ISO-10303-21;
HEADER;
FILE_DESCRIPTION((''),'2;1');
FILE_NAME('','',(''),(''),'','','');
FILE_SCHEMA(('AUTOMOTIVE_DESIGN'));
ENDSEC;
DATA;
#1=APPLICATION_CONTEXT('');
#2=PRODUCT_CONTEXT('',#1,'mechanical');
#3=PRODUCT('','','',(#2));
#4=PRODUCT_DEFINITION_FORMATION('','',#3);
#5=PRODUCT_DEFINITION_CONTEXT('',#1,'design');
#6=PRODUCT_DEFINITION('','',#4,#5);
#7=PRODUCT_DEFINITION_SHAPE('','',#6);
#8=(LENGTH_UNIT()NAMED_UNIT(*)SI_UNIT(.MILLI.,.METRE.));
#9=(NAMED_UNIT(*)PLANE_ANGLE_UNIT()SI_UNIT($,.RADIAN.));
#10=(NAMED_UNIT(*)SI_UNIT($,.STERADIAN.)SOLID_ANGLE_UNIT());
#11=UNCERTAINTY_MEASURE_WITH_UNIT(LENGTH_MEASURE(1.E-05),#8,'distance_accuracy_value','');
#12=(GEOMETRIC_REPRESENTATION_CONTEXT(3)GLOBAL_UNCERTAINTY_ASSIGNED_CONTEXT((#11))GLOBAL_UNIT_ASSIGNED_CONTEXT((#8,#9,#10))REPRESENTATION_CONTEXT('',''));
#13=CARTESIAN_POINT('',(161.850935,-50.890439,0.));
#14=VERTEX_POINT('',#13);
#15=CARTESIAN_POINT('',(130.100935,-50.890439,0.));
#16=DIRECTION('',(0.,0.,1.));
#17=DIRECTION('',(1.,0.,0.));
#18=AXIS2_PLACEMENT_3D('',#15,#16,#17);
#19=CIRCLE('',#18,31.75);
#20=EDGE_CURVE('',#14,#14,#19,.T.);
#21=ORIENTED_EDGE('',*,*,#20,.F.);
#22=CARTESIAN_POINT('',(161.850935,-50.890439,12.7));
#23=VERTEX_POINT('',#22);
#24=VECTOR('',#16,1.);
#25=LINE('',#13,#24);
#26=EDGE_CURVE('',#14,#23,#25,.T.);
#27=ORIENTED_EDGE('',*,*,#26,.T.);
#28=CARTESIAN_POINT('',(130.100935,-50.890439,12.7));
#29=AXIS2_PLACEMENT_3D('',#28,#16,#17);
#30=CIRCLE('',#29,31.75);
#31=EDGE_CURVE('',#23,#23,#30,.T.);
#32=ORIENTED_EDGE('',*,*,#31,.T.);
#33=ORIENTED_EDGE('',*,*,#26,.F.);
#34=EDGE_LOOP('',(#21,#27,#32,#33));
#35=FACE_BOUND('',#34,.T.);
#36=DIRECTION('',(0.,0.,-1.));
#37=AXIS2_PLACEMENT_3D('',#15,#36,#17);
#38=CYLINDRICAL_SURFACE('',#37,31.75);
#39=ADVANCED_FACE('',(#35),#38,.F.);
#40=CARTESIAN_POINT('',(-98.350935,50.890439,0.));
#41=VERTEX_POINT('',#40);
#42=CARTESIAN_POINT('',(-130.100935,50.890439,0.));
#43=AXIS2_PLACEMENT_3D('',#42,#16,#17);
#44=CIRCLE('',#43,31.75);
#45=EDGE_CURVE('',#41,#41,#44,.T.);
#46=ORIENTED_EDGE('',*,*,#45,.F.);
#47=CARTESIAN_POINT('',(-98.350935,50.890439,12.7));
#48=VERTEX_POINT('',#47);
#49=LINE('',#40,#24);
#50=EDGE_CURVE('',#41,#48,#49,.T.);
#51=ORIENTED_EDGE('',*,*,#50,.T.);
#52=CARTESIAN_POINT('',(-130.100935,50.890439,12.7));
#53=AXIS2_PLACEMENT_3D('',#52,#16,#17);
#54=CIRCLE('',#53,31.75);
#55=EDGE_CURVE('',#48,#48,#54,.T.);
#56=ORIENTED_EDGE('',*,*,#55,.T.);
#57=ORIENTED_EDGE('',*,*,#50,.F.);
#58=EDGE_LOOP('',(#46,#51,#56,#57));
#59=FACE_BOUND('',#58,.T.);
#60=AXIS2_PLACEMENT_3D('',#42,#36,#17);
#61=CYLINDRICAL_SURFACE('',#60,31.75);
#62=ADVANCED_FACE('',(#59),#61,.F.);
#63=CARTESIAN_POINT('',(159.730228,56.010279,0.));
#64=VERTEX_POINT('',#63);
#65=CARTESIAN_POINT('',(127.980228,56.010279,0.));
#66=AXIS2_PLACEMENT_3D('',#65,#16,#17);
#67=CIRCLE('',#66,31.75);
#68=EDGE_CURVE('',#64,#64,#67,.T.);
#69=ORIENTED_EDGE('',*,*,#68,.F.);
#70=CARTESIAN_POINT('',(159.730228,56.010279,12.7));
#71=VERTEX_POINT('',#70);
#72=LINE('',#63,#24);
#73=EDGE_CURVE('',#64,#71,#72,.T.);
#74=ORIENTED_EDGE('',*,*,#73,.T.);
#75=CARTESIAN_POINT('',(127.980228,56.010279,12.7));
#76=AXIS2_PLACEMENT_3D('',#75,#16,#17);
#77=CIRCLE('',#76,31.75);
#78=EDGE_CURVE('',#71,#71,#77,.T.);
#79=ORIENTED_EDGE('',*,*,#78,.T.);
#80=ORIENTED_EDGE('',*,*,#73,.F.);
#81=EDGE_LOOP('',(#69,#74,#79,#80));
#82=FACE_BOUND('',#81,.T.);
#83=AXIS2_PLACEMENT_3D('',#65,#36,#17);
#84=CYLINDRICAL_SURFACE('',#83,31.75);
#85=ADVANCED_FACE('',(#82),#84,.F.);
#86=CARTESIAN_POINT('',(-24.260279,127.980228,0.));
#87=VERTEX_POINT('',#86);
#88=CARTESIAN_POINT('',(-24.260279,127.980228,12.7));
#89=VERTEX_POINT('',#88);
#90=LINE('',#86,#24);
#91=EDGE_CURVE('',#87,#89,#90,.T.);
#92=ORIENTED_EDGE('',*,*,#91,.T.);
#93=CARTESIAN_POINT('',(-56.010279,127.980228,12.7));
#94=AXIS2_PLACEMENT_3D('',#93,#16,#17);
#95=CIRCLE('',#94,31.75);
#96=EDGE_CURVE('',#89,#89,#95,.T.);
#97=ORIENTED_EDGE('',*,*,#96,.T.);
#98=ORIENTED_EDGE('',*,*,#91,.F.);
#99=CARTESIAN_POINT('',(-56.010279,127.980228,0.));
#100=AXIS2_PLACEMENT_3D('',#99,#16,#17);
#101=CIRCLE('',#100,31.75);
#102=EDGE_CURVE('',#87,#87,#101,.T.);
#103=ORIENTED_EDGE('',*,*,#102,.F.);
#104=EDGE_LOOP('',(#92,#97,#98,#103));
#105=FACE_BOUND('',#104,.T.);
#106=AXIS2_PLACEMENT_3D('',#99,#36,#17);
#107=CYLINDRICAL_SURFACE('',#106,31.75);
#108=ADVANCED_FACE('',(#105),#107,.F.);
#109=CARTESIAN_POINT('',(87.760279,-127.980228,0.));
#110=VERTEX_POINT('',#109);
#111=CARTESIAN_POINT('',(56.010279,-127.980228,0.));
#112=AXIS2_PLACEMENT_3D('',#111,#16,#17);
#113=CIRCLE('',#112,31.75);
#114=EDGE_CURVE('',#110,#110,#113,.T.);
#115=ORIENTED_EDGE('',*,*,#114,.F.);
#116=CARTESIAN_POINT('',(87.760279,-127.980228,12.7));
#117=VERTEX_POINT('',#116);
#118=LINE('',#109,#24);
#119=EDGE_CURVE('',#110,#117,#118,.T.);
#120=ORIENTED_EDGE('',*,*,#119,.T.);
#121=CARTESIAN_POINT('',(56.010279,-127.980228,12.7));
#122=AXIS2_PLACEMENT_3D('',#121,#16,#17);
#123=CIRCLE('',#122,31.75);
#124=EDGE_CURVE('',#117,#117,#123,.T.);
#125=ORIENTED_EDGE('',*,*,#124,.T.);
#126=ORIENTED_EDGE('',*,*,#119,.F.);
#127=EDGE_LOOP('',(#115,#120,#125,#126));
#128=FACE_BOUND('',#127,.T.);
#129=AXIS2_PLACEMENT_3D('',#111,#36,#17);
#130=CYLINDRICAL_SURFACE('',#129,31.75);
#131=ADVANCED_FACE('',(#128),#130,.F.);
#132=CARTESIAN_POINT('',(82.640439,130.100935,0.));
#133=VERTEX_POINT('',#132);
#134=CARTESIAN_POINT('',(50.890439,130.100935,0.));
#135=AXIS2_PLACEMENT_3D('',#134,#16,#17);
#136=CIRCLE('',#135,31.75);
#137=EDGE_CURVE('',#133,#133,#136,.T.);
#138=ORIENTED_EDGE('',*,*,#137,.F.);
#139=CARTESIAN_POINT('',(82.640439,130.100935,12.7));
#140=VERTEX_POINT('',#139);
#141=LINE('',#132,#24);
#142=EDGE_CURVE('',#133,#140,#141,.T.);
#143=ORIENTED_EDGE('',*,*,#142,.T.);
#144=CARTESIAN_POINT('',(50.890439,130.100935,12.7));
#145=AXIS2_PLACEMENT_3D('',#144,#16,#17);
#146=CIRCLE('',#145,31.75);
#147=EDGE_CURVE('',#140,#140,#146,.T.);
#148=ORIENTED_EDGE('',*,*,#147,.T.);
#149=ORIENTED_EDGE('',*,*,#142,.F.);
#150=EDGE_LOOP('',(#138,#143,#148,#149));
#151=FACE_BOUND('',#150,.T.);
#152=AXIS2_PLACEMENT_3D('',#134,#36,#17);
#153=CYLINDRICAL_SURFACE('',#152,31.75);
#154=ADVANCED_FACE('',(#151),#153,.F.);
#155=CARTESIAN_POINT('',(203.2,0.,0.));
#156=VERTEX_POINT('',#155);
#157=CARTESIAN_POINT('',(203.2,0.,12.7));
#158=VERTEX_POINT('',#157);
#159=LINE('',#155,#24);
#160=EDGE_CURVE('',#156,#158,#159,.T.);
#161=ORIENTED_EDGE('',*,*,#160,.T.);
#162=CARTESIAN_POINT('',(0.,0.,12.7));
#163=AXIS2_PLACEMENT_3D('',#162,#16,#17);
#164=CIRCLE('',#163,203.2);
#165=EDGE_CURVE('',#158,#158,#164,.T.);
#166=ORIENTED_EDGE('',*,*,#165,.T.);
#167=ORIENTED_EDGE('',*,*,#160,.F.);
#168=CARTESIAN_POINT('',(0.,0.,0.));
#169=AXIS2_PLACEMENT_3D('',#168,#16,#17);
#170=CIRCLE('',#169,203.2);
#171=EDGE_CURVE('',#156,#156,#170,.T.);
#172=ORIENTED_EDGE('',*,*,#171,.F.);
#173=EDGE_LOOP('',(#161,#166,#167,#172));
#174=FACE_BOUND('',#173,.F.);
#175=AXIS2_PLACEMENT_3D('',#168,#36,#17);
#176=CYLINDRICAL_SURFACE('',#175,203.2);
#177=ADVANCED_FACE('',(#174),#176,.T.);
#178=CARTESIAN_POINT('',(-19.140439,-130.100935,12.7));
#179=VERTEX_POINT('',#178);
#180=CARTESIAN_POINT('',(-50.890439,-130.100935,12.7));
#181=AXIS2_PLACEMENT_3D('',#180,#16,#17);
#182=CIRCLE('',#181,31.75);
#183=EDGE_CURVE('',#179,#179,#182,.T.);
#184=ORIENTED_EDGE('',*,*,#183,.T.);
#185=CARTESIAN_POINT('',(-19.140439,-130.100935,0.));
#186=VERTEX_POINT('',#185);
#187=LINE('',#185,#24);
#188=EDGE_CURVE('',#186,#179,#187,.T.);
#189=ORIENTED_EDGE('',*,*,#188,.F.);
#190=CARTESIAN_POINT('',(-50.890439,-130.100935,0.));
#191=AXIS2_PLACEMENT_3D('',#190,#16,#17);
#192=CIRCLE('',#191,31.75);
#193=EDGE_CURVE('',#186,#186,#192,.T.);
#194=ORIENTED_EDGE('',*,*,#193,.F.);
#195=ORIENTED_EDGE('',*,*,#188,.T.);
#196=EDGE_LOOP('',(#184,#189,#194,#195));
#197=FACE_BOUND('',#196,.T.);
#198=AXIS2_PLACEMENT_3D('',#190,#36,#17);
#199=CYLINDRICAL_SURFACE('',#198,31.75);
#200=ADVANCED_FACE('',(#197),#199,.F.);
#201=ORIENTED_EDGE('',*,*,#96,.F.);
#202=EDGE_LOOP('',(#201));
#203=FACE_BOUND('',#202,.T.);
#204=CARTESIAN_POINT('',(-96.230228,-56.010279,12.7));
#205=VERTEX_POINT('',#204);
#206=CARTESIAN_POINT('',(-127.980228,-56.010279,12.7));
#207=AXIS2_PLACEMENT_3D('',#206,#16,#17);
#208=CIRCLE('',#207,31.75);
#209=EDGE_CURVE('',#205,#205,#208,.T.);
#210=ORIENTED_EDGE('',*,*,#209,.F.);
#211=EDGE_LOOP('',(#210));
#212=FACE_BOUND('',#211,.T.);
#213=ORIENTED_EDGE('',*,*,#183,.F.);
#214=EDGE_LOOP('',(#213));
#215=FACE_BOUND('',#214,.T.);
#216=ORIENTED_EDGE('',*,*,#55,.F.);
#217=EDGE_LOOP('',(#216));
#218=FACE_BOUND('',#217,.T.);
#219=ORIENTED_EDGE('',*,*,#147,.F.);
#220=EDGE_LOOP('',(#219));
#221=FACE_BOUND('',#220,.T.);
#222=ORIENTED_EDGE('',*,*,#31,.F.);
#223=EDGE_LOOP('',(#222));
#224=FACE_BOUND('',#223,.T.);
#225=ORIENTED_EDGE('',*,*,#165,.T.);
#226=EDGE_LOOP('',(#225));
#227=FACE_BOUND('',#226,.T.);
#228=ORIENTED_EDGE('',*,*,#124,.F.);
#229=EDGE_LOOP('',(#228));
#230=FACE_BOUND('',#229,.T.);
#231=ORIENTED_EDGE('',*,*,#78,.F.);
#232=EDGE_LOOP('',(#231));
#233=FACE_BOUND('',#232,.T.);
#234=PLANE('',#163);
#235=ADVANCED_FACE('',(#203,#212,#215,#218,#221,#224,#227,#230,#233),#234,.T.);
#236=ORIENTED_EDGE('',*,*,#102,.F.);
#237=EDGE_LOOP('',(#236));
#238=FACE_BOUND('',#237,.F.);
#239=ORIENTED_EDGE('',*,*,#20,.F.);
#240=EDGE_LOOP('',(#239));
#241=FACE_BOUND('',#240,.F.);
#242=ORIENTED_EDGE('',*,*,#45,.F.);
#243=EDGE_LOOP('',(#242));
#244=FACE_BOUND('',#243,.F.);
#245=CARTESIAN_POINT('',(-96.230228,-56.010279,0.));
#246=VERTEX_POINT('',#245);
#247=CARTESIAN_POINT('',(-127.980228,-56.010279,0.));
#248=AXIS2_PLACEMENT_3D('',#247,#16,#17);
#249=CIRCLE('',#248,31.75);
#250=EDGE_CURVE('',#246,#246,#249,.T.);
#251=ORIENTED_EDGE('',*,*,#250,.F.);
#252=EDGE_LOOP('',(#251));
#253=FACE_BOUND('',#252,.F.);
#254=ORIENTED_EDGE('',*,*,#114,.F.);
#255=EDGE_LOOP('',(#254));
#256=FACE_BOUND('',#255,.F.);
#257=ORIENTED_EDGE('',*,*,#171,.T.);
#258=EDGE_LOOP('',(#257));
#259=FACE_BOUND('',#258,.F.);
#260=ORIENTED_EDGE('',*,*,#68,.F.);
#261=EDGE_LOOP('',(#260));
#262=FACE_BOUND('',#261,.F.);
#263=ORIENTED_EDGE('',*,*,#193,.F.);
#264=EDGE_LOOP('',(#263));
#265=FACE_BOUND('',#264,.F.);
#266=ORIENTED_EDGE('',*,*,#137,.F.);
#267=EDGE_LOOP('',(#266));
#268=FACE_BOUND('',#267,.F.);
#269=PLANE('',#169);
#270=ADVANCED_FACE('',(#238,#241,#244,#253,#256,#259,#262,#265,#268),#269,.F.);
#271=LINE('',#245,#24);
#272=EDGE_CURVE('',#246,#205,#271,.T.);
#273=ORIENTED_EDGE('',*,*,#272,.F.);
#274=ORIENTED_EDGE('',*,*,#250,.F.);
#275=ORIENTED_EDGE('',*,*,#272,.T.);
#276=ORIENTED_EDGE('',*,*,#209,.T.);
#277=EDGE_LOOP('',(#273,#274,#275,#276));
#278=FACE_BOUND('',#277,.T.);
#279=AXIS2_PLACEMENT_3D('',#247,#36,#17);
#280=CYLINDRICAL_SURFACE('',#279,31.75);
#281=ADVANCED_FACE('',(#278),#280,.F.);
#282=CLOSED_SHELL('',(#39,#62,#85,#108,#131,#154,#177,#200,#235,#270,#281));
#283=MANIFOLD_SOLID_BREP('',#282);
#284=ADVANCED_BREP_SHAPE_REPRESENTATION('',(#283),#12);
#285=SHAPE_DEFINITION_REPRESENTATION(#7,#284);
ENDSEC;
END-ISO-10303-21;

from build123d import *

# Parameters (mm, degrees)
F0_R     = 203.2
F0_R_2   = 31.75
F1_DEPTH = 12.7


with BuildPart() as f1:
    # F0 (on Top) → F1 (new body)
    with BuildSketch(Plane.XY):
        Circle(F0_R)
        with Locations((-50.890439, -130.100935)):
            Circle(F0_R_2, mode=Mode.SUBTRACT)
        with Locations((-127.980228, -56.010279)):
            Circle(F0_R_2, mode=Mode.SUBTRACT)
        with Locations((56.010279, -127.980228)):
            Circle(F0_R_2, mode=Mode.SUBTRACT)
        with Locations((130.100935, -50.890439)):
            Circle(F0_R_2, mode=Mode.SUBTRACT)
        with Locations((-130.100935, 50.890439)):
            Circle(F0_R_2, mode=Mode.SUBTRACT)
        with Locations((-56.010279, 127.980228)):
            Circle(F0_R_2, mode=Mode.SUBTRACT)
        with Locations((127.980228, 56.010279)):
            Circle(F0_R_2, mode=Mode.SUBTRACT)
        with Locations((50.890439, 130.100935)):
            Circle(F0_R_2, mode=Mode.SUBTRACT)
    extrude(amount=F1_DEPTH)


solid = f1.part
